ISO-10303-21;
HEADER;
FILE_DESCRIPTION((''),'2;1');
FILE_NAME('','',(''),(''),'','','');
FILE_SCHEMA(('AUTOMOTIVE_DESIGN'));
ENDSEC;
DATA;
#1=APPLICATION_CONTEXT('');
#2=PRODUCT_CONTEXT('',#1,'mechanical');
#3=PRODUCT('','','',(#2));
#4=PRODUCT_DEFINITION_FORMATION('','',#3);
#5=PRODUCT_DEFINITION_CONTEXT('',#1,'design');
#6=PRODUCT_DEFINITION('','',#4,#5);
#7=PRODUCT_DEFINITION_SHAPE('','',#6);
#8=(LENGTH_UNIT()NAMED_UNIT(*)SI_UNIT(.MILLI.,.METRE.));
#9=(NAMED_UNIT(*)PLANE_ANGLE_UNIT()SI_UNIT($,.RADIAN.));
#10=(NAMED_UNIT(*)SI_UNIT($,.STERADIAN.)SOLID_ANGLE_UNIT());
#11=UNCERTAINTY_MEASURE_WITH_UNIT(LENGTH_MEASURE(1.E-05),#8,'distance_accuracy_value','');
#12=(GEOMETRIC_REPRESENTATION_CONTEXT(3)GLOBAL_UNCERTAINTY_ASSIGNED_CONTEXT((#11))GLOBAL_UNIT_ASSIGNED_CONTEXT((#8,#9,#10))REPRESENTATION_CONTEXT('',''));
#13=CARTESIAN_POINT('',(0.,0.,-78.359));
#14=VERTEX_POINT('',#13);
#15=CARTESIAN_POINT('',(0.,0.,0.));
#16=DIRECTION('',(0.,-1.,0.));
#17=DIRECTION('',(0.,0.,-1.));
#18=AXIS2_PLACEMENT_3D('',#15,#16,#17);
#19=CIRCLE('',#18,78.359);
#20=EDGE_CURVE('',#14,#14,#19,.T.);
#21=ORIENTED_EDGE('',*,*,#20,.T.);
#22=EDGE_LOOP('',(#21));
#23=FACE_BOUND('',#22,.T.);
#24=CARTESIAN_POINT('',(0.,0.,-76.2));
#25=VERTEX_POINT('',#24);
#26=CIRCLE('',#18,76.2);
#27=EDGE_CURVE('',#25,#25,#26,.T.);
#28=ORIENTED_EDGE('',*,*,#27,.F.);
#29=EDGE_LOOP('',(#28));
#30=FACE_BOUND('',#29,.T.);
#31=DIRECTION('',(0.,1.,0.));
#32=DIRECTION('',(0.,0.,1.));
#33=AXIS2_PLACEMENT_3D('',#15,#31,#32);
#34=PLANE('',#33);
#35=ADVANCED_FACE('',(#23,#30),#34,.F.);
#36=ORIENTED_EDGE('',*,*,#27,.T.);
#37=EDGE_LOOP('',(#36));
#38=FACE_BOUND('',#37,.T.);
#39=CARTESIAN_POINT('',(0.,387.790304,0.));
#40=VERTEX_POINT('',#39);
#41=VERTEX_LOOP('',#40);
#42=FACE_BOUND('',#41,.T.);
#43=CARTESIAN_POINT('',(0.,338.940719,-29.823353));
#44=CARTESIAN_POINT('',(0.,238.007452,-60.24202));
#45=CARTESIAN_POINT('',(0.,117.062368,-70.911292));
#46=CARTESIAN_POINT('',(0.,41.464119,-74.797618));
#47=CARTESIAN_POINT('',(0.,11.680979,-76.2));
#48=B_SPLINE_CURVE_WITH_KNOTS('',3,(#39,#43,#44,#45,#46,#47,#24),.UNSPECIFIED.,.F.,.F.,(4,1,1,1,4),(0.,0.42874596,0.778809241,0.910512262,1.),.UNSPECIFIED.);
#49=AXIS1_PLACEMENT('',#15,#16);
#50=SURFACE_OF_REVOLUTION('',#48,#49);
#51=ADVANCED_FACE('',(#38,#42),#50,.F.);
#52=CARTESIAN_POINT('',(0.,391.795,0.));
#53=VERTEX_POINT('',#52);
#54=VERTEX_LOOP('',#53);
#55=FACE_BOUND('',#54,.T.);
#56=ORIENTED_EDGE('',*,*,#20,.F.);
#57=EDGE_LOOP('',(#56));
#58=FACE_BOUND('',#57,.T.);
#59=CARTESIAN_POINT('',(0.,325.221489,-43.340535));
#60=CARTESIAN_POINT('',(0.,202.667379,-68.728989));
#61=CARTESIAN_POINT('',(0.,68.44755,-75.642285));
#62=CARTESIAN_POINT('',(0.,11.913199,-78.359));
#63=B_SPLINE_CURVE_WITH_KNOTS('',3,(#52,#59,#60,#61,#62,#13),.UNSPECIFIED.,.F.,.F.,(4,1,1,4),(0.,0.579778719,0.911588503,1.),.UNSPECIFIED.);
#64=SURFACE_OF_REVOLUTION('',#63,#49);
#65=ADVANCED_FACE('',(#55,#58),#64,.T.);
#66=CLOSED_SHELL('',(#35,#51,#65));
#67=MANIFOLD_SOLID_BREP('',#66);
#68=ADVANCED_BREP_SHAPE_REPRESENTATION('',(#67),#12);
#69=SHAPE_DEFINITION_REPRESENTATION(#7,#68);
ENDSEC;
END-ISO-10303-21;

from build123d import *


with BuildPart() as part:
    # Sketch1 → Revolve1 (revolve)
    with BuildSketch(Plane(origin=(0, 0, 0), x_dir=(0, 0, -1), z_dir=(1, 0, 0))):
        with BuildLine():
            Line((76.2, 0), (78.359, 0))
            add(Edge.make_bspline(
                [(0, 391.795), (43.34053541, 325.221489098), (68.728989379, 202.667379204), (75.642285222, 68.447550174), (78.359, 11.913198943), (78.359, 0)],
                knots=[0, 0, 0, 0, 0.579778719, 0.911588503, 1, 1, 1, 1], degree=3))
            Line((0, 391.795), (0, 387.790303549))
            add(Edge.make_bspline(
                [(0, 387.790303549), (29.823352692, 338.940718932), (60.242020193, 238.007452453), (70.911291904, 117.062368112), (74.79761801, 41.464119334), (76.2, 11.680979009), (76.2, 0)],
                knots=[0, 0, 0, 0, 0.42874596, 0.778809241, 0.910512262, 1, 1, 1, 1], degree=3))
        make_face()
    revolve(axis=Axis((0, 0, 0), (0, 1, 0)))


solid = part.part
